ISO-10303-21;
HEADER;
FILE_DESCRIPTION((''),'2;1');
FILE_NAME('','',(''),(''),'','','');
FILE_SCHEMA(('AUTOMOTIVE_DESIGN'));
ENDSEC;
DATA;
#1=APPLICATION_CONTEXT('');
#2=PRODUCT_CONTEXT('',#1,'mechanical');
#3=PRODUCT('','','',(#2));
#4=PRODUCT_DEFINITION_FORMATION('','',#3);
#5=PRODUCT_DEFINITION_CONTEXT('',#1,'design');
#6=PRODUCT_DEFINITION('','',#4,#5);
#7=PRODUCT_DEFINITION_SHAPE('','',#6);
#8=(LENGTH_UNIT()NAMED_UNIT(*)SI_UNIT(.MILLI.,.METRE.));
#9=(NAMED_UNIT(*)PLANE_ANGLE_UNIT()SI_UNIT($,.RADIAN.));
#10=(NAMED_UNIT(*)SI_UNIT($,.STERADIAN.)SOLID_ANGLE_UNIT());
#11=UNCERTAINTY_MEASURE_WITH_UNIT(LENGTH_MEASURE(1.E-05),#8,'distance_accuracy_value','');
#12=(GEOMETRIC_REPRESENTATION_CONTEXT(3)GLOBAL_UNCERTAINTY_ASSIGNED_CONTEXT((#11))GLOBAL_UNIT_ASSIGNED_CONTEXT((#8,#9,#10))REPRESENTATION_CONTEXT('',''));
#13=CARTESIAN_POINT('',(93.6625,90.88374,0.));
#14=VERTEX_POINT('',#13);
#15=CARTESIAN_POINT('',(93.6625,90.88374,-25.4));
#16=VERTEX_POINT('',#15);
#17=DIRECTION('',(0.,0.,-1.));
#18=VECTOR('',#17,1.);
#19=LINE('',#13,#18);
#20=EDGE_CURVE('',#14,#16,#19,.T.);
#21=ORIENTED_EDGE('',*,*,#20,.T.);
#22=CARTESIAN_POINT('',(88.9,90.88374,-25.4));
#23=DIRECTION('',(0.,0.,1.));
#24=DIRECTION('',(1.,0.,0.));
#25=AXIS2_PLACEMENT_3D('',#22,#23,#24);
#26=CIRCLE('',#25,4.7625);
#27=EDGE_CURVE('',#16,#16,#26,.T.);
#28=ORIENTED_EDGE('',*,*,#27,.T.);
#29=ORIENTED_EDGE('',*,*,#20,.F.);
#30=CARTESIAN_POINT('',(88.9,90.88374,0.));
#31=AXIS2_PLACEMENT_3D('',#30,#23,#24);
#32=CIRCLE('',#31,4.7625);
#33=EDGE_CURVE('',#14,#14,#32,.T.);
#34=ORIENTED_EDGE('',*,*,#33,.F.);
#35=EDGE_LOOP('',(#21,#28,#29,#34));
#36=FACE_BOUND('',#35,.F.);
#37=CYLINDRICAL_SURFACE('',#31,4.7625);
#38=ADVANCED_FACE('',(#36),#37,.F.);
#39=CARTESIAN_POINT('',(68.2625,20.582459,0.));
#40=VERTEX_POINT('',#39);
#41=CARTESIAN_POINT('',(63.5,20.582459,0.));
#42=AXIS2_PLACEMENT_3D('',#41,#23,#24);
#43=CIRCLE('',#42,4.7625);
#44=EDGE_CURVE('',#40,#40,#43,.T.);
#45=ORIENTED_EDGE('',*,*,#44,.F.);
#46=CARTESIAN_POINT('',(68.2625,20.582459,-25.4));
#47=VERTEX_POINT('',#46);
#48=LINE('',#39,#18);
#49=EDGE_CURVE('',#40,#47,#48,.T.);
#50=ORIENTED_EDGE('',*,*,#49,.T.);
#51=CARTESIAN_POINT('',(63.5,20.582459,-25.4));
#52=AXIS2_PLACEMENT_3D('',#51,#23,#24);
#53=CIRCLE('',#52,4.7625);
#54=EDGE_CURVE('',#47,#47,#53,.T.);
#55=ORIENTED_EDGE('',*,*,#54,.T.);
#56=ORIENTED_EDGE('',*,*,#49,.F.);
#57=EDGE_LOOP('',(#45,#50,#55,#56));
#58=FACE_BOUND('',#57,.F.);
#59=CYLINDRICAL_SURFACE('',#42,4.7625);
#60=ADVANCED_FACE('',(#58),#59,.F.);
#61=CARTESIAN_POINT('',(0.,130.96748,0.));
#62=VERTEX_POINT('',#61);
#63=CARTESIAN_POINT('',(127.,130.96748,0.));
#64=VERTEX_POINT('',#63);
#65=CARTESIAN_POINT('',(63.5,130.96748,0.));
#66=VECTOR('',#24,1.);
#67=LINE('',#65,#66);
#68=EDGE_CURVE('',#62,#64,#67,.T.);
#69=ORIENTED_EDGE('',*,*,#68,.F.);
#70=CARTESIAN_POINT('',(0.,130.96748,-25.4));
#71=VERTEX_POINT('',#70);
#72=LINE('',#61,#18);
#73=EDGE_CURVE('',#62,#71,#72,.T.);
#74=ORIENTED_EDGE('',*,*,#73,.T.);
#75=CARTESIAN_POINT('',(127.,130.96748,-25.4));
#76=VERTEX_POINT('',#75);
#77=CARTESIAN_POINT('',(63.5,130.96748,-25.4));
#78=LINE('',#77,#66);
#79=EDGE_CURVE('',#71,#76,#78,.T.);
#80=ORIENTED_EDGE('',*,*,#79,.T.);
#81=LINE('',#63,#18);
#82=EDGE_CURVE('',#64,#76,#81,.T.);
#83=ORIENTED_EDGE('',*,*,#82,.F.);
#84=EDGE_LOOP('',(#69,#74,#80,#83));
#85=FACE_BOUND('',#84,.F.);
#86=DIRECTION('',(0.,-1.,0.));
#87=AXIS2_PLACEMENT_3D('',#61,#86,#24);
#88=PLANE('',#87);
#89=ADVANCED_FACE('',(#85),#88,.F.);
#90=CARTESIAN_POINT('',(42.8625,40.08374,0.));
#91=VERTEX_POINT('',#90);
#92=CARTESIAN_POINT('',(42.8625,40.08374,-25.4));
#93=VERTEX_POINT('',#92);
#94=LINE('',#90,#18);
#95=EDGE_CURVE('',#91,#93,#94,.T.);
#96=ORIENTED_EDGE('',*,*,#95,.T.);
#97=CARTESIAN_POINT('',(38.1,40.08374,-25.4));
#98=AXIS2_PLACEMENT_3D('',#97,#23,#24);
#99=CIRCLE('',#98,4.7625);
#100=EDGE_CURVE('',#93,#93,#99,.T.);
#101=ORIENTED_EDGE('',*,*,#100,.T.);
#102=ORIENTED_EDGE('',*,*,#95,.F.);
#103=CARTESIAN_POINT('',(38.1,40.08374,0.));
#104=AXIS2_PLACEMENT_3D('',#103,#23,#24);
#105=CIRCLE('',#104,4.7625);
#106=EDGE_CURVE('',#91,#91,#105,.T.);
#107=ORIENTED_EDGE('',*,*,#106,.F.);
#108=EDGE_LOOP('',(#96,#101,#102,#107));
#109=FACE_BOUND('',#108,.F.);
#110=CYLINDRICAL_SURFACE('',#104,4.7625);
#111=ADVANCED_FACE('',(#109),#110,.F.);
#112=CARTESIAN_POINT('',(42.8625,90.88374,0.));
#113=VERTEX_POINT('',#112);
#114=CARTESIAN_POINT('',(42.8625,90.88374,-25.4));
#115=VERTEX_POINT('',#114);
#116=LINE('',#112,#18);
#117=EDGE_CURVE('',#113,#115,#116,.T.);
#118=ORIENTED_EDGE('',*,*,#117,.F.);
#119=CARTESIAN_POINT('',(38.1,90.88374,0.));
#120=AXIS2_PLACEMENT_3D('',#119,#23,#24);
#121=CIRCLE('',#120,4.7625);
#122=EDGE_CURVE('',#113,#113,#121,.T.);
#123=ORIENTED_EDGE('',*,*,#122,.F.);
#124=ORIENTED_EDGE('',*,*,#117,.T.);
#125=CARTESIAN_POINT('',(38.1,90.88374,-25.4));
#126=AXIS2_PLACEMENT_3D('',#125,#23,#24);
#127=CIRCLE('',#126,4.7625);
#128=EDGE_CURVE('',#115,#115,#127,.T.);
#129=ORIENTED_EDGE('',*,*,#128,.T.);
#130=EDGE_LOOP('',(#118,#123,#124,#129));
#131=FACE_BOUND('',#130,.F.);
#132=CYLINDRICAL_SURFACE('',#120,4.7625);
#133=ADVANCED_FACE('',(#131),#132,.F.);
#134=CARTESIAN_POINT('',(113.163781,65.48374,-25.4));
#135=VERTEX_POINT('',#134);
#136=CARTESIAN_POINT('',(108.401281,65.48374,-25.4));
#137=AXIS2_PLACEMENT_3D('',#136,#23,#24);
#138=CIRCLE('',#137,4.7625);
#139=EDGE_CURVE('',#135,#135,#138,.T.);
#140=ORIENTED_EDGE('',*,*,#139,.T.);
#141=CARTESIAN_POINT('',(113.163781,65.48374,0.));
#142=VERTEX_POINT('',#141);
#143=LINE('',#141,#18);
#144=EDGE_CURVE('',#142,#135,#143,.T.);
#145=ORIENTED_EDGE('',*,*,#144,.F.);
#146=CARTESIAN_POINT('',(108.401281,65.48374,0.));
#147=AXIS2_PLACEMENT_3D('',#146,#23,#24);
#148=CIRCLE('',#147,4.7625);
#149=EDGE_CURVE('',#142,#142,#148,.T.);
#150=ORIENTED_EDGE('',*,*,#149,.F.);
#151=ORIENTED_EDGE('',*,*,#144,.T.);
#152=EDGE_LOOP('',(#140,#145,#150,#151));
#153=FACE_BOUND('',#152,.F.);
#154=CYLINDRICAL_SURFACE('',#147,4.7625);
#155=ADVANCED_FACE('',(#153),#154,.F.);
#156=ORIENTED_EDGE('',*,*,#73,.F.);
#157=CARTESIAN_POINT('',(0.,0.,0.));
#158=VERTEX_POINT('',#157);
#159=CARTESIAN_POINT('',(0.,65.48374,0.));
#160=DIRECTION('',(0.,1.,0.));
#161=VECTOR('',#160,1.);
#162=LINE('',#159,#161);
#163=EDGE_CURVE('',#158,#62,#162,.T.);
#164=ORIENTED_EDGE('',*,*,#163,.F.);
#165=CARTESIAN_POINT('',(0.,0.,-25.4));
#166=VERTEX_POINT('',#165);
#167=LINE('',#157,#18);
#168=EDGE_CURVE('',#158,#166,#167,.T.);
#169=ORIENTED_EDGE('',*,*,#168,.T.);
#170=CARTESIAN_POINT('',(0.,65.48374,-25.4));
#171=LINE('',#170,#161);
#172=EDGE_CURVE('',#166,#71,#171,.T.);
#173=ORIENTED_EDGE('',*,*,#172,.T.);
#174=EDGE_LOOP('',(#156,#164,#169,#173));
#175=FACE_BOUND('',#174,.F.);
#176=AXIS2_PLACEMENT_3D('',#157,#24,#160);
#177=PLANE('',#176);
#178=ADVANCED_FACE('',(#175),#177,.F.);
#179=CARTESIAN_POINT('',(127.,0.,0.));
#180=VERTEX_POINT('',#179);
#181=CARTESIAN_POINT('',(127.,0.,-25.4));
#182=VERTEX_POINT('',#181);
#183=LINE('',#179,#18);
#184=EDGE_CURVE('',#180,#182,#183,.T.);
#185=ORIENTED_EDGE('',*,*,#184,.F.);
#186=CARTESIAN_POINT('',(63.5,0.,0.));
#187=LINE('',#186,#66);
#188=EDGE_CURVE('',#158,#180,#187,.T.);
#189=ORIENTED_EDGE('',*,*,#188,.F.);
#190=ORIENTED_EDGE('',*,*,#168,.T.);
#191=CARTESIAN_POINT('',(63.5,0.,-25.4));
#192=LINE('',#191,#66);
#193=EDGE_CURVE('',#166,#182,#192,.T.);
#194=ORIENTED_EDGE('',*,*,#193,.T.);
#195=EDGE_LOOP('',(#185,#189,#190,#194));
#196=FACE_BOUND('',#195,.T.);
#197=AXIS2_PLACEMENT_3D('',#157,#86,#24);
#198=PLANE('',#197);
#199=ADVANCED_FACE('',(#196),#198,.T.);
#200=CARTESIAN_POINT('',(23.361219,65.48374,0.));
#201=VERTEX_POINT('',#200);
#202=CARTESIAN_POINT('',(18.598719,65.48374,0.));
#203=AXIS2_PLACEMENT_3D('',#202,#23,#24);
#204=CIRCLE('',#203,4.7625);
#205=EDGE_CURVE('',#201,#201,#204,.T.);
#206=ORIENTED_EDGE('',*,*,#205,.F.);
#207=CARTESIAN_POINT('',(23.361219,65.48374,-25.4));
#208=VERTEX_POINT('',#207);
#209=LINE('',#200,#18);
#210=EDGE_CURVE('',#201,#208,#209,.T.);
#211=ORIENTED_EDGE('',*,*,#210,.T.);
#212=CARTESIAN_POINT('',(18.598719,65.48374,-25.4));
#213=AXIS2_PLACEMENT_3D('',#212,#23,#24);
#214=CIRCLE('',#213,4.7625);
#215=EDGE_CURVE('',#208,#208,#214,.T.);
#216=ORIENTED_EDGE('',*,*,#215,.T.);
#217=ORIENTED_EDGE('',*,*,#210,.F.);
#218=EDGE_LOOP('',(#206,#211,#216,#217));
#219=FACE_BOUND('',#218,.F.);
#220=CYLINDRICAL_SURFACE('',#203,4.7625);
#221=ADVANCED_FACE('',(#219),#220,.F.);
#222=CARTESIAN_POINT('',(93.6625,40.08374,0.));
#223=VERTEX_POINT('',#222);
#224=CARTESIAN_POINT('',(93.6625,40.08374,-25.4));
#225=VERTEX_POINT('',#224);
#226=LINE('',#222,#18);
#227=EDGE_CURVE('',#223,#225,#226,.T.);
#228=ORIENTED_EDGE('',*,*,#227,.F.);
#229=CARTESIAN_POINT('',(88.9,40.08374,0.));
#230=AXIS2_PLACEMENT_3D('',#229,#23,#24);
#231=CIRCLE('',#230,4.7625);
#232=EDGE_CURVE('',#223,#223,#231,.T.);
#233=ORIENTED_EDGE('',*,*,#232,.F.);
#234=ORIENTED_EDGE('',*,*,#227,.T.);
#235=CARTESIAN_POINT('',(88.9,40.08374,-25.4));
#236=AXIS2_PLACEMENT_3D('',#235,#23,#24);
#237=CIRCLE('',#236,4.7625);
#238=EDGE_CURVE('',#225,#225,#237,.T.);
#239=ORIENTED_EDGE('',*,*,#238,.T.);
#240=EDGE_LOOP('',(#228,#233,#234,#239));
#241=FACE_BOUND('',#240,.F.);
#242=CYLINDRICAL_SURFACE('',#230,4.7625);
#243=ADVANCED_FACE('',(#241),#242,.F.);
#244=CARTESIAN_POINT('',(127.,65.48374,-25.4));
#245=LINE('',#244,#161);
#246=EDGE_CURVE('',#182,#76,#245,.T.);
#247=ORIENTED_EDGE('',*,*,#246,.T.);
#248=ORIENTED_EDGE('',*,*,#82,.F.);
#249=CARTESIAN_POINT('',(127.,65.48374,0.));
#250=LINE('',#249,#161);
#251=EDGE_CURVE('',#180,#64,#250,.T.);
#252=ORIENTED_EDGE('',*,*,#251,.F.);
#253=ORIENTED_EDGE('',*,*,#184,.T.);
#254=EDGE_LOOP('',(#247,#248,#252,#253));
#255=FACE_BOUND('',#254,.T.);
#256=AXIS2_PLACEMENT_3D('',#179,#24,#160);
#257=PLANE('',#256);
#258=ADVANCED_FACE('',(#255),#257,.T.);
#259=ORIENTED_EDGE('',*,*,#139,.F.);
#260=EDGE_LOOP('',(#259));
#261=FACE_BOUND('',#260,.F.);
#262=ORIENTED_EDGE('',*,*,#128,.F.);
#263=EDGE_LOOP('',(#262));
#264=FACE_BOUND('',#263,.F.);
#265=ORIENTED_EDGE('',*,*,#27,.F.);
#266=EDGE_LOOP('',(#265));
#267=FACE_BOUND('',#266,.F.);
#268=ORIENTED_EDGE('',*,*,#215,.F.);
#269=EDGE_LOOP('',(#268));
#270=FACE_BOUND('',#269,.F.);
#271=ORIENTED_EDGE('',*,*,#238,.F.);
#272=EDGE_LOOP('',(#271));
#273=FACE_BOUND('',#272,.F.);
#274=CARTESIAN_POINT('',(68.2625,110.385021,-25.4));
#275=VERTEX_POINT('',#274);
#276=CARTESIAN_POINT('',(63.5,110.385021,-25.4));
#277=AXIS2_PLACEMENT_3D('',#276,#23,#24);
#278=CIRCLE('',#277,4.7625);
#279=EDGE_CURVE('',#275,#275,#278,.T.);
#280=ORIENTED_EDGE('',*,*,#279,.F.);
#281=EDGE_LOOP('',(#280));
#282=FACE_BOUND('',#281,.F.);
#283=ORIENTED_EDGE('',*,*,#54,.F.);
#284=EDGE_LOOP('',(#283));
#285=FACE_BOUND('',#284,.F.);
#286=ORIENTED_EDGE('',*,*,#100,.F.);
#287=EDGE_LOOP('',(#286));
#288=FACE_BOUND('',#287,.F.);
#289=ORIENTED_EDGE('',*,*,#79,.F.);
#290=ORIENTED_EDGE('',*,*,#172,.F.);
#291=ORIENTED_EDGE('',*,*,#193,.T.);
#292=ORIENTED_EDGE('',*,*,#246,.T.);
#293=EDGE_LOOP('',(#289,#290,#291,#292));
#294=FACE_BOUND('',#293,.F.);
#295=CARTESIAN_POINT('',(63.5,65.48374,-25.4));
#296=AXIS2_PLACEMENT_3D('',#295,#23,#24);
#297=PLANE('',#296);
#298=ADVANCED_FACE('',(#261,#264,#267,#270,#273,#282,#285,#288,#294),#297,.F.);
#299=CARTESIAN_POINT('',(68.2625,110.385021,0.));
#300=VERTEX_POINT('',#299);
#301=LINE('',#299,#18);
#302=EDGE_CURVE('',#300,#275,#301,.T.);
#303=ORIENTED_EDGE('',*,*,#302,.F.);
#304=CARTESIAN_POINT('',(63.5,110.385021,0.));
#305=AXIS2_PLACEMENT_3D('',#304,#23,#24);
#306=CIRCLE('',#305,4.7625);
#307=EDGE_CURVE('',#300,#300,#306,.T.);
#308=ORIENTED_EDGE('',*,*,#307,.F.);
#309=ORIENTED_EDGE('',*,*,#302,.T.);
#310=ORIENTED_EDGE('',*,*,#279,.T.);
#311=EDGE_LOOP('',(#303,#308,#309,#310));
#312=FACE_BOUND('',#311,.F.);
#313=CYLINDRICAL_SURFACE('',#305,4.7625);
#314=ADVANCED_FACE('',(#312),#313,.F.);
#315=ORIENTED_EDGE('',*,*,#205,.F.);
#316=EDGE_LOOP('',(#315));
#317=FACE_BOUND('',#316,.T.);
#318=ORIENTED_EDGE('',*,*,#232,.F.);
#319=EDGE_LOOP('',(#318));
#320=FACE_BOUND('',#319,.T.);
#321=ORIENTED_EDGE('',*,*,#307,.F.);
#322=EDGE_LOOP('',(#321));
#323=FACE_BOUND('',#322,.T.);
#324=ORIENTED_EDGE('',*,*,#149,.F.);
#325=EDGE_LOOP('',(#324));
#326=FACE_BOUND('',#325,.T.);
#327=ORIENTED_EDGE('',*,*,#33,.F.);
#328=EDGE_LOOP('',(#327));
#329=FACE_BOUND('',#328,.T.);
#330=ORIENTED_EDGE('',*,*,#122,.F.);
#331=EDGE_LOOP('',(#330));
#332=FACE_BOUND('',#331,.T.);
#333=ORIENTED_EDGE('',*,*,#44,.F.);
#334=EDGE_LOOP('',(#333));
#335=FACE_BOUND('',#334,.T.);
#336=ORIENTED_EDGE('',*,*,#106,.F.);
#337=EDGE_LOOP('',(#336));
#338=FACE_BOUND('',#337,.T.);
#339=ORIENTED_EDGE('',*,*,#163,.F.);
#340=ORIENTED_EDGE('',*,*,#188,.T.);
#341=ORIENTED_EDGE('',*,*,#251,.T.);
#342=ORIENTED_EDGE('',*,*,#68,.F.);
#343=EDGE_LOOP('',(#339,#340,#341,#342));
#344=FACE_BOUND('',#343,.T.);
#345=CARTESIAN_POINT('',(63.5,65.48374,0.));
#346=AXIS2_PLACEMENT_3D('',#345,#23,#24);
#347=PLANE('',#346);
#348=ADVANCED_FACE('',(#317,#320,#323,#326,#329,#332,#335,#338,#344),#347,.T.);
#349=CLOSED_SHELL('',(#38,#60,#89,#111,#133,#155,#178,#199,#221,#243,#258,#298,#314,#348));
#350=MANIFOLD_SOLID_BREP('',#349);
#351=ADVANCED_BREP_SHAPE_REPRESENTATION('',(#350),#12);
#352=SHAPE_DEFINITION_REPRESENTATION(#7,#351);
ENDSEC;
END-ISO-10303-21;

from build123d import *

# Parameters (mm, degrees)
F0_W     = 127
F0_H     = 130.96748
F0_R     = 4.7625
F1_DEPTH = 25.4


with BuildPart() as f1:
    # F0 (on Top) → F1 (new body)
    with BuildSketch(Plane.XY):
        with Locations((63.5, 65.48374)):
            Rectangle(F0_W, F0_H)
        with Locations((38.1, 40.08374)):
            Circle(F0_R, mode=Mode.SUBTRACT)
        with Locations((63.5, 20.582459)):
            Circle(F0_R, mode=Mode.SUBTRACT)
        with Locations((88.9, 40.08374)):
            Circle(F0_R, mode=Mode.SUBTRACT)
        with Locations((18.598719, 65.48374)):
            Circle(F0_R, mode=Mode.SUBTRACT)
        with Locations((38.1, 90.88374)):
            Circle(F0_R, mode=Mode.SUBTRACT)
        with Locations((88.9, 90.88374)):
            Circle(F0_R, mode=Mode.SUBTRACT)
        with Locations((108.401281, 65.48374)):
            Circle(F0_R, mode=Mode.SUBTRACT)
        with Locations((63.5, 110.385021)):
            Circle(F0_R, mode=Mode.SUBTRACT)
    extrude(amount=-F1_DEPTH)


solid = f1.part
